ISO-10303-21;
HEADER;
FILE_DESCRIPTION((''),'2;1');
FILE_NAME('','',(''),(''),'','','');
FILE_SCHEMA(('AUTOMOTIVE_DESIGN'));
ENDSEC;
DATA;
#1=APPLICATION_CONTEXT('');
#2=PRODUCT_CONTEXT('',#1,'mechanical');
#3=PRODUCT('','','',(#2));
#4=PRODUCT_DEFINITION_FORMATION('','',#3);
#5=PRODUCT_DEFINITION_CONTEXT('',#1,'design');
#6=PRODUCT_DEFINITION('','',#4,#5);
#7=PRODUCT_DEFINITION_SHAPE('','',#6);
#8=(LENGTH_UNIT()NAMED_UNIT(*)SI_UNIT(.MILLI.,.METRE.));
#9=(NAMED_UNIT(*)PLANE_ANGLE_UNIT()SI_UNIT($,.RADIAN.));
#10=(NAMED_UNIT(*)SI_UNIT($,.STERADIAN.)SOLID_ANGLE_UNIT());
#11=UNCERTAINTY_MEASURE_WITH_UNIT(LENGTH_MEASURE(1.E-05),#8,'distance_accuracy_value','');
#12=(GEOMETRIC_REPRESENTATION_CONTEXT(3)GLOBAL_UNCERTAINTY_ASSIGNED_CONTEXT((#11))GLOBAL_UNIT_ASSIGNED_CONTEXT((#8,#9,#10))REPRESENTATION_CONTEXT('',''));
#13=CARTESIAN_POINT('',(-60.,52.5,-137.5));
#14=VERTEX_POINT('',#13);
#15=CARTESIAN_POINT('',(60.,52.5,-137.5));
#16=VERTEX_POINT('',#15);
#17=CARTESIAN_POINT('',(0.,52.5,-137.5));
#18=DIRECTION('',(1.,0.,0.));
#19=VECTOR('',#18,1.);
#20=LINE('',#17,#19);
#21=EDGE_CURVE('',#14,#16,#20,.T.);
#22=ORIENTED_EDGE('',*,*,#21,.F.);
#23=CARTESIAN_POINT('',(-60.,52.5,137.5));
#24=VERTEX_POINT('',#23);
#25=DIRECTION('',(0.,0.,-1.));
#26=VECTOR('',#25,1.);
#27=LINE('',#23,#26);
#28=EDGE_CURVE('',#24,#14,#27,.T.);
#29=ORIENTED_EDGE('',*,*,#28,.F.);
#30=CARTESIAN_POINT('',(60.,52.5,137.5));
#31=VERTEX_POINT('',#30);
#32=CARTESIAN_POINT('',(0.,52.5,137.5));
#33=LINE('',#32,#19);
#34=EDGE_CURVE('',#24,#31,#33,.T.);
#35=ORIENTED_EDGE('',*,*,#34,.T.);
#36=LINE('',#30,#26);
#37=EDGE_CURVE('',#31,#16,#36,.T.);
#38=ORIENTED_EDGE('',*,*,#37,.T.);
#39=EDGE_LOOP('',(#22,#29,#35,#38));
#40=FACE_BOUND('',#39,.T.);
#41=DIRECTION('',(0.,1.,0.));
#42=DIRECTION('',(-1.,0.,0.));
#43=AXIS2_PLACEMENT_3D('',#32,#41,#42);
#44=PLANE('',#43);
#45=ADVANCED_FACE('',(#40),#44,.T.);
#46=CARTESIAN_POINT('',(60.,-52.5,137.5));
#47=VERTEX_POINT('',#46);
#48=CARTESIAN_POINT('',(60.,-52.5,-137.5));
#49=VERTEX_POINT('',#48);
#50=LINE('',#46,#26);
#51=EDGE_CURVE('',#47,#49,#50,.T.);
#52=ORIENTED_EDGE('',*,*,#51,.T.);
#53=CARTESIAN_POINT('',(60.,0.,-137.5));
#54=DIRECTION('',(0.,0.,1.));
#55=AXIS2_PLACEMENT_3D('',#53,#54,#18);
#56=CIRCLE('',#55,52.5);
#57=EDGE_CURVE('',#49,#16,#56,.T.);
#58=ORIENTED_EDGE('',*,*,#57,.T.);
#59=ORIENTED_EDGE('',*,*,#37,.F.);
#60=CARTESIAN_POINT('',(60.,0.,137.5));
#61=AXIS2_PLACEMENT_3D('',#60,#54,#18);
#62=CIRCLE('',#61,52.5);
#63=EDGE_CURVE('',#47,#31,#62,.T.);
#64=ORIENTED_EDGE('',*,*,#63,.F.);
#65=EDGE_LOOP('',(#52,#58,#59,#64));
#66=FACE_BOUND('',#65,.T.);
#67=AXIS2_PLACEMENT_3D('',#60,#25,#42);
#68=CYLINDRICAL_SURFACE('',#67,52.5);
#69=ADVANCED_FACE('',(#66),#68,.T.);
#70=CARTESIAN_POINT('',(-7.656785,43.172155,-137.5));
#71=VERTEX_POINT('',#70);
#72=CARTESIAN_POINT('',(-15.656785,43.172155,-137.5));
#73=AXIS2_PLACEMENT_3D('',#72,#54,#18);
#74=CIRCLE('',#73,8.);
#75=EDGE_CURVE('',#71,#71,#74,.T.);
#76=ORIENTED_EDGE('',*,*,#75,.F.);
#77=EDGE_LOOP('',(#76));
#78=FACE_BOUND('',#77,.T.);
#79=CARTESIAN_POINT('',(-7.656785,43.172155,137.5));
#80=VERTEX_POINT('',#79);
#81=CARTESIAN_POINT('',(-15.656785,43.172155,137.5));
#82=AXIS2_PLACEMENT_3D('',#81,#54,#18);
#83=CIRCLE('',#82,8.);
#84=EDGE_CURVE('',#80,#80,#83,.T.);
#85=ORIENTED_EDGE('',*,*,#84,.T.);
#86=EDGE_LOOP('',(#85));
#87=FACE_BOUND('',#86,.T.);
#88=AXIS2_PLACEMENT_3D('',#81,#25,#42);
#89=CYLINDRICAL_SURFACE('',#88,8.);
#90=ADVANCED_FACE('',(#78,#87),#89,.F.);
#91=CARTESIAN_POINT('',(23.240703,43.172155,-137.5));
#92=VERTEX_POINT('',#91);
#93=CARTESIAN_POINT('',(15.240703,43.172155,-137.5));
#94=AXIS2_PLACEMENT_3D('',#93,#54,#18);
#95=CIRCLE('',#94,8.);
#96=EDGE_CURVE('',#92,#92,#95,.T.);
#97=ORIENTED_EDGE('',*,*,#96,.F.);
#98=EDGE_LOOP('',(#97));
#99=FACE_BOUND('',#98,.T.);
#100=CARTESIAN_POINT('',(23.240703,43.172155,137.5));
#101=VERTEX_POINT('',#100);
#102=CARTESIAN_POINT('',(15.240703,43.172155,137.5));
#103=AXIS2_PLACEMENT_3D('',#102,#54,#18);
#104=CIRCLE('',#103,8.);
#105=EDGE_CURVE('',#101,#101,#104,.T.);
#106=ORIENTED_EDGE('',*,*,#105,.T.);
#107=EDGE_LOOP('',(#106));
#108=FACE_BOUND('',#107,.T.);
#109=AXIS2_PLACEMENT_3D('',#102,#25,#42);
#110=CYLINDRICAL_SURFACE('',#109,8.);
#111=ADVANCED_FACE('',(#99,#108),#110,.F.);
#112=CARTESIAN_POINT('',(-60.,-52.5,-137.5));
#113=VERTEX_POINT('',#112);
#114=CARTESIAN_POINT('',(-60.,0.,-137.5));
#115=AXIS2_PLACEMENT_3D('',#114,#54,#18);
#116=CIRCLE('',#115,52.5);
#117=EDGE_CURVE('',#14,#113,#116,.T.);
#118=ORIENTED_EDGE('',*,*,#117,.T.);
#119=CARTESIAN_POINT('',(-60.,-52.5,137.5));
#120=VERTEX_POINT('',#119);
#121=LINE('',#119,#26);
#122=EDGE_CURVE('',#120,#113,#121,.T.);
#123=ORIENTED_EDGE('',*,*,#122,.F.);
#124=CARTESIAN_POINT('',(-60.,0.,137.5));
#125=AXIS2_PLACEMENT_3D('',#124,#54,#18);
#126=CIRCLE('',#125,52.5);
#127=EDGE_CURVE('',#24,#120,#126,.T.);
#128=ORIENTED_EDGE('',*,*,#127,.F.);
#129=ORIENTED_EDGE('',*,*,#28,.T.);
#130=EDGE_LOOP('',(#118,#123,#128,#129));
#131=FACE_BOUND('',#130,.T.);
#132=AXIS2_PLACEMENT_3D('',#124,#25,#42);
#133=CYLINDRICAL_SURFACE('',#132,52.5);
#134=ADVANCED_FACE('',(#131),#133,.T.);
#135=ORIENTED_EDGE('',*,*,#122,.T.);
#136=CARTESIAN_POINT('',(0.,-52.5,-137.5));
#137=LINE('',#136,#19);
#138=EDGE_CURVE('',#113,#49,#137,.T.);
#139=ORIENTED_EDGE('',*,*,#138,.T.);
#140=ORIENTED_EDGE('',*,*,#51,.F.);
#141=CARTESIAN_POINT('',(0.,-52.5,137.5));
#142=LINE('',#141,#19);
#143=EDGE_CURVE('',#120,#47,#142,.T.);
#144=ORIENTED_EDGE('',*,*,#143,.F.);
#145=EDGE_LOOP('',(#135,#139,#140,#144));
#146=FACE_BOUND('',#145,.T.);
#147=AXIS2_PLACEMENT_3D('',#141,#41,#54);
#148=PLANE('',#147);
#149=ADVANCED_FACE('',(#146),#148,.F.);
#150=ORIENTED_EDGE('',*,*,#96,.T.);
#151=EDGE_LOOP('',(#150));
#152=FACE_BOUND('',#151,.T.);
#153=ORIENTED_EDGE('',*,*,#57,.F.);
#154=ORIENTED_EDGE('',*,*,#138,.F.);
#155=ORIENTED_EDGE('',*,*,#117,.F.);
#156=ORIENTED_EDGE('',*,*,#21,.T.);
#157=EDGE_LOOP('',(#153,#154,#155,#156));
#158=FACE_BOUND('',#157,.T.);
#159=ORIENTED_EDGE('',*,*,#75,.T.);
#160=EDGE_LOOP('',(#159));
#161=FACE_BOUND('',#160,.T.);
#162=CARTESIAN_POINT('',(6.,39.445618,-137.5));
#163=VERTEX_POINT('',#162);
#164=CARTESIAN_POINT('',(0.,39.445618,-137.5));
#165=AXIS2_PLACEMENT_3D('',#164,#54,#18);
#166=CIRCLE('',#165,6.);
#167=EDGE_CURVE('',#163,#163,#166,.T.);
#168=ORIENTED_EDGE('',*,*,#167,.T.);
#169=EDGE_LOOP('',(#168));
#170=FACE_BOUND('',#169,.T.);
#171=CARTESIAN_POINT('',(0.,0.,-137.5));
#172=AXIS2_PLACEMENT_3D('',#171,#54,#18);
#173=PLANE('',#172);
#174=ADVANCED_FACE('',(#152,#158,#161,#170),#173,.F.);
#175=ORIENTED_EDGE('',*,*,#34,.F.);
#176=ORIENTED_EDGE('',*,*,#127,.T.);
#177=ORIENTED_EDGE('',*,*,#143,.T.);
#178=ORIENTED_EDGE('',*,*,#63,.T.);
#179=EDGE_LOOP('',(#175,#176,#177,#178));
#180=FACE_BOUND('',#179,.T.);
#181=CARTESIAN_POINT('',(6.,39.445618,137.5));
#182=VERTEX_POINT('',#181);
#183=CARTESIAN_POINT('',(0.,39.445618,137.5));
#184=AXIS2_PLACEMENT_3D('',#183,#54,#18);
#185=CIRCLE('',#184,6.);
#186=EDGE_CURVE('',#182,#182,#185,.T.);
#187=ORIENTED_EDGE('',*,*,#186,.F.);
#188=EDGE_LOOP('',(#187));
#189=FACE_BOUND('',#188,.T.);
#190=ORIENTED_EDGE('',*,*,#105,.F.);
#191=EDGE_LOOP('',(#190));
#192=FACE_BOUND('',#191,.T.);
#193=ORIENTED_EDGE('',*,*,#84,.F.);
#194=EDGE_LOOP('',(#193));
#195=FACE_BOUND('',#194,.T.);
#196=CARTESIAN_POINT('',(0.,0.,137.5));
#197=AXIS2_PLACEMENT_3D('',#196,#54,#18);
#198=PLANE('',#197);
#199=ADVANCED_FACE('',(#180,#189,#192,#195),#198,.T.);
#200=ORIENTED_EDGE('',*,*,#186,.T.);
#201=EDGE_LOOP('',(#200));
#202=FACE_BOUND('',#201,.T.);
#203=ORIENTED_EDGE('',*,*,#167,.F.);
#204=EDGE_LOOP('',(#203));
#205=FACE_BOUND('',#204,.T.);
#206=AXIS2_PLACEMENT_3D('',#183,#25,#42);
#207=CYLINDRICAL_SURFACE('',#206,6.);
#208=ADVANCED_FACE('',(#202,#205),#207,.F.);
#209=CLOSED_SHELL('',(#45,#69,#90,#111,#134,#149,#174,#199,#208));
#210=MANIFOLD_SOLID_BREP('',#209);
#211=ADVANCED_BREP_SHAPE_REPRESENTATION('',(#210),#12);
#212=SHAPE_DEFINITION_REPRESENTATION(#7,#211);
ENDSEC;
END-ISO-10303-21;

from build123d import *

# Parameters (mm, degrees)
SKETCH1_R           = 8
SKETCH1_R_2         = 6
BOSS_EXTRUDE1_DEPTH = 137.5


with BuildPart() as part:
    # Sketch1 → Boss-Extrude1 (new, symmetric)
    with BuildSketch(Plane.XY):
        with BuildLine():
            Line((60, 52.5), (-60, 52.5))
            ThreePointArc((-60, 52.5), (-112.5, 0), (-60, -52.5))
            Line((-60, -52.5), (60, -52.5))
            ThreePointArc((60, -52.5), (112.5, 0), (60, 52.5))
        make_face()
        with Locations((-15.656784535, 43.172154608)):
            Circle(SKETCH1_R, mode=Mode.SUBTRACT)
        with Locations((0, 39.445617679)):
            Circle(SKETCH1_R_2, mode=Mode.SUBTRACT)
        with Locations((15.24070295, 43.172154608)):
            Circle(SKETCH1_R, mode=Mode.SUBTRACT)
    extrude(amount=BOSS_EXTRUDE1_DEPTH, both=True)


solid = part.part
